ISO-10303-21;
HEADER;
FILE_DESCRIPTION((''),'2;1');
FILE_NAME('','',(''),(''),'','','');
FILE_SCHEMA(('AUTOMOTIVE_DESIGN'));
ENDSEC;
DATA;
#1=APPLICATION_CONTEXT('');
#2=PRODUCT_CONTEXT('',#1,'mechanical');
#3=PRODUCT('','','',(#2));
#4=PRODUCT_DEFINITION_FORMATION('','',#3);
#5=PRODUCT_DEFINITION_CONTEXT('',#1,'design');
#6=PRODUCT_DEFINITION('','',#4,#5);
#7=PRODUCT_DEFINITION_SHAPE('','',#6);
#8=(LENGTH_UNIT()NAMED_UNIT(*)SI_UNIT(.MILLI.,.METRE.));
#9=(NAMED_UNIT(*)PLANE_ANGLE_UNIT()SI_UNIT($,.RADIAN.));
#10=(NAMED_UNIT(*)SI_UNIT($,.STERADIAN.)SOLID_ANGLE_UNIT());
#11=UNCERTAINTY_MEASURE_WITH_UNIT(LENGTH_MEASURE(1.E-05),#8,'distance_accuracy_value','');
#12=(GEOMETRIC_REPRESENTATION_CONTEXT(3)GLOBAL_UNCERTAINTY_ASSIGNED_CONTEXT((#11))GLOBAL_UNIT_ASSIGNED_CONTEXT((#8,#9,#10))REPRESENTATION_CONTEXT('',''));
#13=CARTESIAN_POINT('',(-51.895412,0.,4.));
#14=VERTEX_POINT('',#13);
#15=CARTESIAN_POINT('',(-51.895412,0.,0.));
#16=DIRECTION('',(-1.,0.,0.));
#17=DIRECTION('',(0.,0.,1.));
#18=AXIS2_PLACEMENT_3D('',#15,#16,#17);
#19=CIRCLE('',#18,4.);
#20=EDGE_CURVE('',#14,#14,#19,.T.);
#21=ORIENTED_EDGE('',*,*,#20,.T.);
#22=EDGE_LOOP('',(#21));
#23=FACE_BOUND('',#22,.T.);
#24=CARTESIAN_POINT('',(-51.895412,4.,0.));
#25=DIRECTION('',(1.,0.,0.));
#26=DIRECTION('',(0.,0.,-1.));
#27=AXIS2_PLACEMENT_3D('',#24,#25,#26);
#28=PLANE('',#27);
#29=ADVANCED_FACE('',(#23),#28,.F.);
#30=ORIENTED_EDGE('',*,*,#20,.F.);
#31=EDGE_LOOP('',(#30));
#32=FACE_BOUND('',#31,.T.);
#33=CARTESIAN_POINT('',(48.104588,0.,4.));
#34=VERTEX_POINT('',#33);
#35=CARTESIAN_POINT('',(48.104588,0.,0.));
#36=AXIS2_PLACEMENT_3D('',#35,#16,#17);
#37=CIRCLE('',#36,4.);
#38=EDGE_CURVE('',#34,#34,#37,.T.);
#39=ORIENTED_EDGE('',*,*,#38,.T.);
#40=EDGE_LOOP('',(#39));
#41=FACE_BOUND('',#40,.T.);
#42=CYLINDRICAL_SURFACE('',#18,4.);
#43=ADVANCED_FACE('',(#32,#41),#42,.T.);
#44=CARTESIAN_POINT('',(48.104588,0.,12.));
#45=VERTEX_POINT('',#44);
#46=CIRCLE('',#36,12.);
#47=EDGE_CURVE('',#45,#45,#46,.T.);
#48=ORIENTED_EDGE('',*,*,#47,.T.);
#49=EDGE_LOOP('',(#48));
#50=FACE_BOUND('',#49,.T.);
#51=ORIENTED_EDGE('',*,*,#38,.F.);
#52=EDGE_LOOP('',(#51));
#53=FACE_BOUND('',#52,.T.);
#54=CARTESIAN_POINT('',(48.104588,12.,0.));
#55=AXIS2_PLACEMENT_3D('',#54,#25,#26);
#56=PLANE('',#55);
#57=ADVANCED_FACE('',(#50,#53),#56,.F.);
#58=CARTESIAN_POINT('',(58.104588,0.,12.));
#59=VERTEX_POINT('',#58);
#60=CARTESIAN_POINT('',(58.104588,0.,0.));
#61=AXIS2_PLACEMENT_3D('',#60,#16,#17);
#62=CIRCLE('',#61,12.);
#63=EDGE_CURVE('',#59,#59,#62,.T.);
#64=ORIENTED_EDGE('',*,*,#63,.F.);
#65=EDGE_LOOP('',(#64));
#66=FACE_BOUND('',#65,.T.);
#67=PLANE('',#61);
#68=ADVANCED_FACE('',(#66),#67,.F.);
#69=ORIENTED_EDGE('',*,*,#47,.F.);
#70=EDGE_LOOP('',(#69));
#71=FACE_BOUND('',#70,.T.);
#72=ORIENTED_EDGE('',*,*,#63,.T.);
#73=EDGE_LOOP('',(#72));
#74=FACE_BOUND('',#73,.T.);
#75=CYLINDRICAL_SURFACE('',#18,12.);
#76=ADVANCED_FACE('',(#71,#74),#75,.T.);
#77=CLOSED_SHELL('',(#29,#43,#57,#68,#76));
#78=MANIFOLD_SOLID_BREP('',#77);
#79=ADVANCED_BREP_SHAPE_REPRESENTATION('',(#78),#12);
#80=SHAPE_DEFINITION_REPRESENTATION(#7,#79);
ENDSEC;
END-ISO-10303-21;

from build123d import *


with BuildPart() as part:
    # Esquisse1 → Révolution1 (revolve)
    with BuildSketch(Plane.XY, mode=Mode.PRIVATE) as r_volution1_sk:
        Polygon((58.104587718, 0), (58.104587718, 12), (48.104587718, 12), (48.104587718, 4), (-51.895412282, 4), (-51.895412282, 0), align=None)
    revolve(r_volution1_sk.sketch.rotate(Axis((-51.895412282, 0, 0), (1, 0, 0)), 90), axis=Axis((-51.895412282, 0, 0), (1, 0, 0)))


solid = part.part
